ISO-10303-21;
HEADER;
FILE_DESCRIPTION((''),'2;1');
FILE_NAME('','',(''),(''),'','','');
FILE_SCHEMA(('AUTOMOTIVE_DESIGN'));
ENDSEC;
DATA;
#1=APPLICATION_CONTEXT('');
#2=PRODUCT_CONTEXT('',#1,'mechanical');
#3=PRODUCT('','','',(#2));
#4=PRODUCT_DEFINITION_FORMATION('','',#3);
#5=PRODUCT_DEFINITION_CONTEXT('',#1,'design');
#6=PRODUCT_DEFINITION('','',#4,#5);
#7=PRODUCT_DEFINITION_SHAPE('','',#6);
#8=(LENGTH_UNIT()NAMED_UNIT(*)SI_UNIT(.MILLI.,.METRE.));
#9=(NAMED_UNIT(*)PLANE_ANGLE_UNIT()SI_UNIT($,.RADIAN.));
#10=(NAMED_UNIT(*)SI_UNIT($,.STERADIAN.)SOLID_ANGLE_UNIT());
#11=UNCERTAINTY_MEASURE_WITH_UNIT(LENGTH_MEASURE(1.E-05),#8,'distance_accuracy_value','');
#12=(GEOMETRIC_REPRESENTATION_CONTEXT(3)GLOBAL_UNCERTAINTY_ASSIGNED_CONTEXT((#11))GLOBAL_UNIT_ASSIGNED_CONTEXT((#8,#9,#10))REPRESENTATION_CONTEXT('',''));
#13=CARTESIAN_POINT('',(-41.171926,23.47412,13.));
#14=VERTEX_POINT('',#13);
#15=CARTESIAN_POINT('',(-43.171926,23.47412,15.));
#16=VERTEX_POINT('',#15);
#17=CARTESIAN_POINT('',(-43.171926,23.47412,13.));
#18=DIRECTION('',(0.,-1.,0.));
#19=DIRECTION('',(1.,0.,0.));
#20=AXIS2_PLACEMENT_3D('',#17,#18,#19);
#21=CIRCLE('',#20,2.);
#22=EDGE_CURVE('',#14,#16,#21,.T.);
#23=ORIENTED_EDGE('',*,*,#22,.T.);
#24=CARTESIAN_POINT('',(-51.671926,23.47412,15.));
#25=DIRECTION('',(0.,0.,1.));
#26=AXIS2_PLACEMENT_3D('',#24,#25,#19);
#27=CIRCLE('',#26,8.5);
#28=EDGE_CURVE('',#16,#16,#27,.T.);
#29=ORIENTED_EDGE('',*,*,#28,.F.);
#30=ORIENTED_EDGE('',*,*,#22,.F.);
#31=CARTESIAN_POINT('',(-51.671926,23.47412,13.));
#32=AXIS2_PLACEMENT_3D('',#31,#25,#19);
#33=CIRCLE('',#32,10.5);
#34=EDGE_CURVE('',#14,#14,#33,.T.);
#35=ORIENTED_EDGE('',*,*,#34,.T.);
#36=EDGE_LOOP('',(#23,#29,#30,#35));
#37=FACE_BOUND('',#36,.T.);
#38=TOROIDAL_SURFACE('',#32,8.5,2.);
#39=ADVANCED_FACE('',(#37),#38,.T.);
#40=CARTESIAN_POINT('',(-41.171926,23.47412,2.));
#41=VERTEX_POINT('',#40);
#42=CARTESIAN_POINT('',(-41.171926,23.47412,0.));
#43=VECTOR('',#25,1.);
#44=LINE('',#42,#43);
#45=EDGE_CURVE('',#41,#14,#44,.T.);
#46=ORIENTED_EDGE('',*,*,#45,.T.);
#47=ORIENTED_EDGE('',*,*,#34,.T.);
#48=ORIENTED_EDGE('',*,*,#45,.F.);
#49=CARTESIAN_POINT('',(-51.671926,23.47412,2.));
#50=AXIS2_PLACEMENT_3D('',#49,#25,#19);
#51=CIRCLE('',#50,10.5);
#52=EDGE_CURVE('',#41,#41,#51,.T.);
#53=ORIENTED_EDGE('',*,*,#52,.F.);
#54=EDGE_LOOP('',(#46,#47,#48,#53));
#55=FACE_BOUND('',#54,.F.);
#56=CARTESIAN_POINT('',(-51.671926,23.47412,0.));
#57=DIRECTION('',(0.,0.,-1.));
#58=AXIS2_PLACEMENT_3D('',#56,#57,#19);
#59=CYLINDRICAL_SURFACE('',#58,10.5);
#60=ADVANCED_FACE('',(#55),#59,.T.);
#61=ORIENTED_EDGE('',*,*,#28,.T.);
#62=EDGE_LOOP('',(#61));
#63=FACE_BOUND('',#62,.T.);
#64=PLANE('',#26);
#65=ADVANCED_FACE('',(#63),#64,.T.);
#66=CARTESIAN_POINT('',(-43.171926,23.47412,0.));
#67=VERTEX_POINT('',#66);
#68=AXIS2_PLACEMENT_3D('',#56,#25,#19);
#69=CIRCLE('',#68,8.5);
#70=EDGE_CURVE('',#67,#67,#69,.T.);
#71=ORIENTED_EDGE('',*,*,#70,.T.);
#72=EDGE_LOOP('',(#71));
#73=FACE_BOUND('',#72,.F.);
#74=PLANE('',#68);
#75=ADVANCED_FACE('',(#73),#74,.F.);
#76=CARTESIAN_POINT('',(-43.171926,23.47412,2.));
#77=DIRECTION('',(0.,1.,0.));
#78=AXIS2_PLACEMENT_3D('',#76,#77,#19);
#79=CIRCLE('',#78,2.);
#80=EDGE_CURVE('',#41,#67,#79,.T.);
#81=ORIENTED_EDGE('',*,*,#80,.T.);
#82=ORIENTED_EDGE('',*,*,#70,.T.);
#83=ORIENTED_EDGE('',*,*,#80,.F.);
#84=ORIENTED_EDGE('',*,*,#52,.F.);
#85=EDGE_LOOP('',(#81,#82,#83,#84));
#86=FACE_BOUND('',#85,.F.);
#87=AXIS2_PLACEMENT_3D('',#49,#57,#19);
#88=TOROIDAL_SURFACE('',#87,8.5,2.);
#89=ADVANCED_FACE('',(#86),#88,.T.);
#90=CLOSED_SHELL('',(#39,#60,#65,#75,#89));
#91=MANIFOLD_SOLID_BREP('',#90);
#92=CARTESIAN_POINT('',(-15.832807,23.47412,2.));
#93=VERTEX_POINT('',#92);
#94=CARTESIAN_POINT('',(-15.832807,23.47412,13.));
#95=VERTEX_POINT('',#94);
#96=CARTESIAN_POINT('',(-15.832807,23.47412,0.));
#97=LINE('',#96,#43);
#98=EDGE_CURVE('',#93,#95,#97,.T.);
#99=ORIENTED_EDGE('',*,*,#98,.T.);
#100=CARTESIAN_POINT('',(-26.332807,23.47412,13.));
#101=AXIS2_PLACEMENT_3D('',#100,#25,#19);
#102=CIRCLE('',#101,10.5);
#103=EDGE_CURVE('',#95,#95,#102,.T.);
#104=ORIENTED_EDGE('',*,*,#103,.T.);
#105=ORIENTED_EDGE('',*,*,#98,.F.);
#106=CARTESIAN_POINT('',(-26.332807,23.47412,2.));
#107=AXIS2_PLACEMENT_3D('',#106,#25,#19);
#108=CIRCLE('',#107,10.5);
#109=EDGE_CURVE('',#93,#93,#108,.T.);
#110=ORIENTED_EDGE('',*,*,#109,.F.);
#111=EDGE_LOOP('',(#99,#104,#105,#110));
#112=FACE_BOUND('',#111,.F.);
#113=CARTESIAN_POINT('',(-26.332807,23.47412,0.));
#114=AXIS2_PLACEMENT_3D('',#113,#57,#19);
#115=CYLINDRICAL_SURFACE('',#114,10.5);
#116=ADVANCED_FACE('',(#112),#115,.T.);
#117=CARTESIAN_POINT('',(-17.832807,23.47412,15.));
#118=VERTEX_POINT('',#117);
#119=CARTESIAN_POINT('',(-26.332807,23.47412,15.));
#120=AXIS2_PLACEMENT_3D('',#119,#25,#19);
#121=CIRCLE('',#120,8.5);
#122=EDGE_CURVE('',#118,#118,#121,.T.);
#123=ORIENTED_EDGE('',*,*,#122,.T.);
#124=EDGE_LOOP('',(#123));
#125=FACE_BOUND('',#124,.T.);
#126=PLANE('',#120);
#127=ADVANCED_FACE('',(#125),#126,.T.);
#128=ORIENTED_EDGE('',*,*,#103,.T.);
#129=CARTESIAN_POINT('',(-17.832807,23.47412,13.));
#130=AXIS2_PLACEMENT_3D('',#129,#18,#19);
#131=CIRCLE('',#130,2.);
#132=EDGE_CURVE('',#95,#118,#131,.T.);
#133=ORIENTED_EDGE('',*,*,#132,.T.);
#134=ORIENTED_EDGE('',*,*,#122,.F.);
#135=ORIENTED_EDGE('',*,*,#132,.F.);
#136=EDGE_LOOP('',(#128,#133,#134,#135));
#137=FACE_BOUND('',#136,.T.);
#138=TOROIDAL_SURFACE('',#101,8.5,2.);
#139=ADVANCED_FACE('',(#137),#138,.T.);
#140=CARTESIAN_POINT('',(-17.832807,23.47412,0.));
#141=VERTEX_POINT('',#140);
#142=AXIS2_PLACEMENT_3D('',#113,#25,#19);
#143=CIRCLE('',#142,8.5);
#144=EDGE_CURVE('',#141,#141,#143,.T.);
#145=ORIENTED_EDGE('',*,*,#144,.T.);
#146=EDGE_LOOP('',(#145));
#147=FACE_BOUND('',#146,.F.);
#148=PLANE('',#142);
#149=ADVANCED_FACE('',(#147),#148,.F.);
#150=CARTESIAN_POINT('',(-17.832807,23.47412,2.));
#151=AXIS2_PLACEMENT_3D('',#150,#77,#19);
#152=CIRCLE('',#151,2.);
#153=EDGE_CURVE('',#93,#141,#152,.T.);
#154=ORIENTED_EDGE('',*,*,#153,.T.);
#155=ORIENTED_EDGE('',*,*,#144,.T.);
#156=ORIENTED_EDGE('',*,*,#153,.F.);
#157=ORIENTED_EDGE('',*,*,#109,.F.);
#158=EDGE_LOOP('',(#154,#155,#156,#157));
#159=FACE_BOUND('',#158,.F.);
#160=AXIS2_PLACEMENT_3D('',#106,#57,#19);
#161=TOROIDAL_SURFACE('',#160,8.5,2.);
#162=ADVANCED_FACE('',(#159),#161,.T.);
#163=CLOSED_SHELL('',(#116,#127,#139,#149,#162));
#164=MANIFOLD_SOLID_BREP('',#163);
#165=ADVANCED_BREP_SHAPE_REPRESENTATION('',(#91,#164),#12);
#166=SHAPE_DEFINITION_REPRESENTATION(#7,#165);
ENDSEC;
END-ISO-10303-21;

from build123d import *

# Parameters (mm, degrees)
F0_R     = 10.5
F1_DEPTH = 15
F2_R     = 2


with BuildPart() as f1:
    # F0 (on Top) → F1 (new body)
    with BuildSketch(Plane.XY):
        with Locations((-51.671926, 23.47412)):
            Circle(F0_R)
        with Locations((-26.332807, 23.47412)):
            Circle(F0_R)
    extrude(amount=F1_DEPTH)

    # F2
    f2_edges = [f1.edges().sort_by_distance(p)[0] for p in [
        (-36.832807, 23.47412, 15),
        (-62.171926, 23.47412, 15),
        (-62.171926, 23.47412, 0),
        (-36.832807, 23.47412, 0),
    ]]
    fillet(f2_edges, radius=F2_R)


solid = f1.part
